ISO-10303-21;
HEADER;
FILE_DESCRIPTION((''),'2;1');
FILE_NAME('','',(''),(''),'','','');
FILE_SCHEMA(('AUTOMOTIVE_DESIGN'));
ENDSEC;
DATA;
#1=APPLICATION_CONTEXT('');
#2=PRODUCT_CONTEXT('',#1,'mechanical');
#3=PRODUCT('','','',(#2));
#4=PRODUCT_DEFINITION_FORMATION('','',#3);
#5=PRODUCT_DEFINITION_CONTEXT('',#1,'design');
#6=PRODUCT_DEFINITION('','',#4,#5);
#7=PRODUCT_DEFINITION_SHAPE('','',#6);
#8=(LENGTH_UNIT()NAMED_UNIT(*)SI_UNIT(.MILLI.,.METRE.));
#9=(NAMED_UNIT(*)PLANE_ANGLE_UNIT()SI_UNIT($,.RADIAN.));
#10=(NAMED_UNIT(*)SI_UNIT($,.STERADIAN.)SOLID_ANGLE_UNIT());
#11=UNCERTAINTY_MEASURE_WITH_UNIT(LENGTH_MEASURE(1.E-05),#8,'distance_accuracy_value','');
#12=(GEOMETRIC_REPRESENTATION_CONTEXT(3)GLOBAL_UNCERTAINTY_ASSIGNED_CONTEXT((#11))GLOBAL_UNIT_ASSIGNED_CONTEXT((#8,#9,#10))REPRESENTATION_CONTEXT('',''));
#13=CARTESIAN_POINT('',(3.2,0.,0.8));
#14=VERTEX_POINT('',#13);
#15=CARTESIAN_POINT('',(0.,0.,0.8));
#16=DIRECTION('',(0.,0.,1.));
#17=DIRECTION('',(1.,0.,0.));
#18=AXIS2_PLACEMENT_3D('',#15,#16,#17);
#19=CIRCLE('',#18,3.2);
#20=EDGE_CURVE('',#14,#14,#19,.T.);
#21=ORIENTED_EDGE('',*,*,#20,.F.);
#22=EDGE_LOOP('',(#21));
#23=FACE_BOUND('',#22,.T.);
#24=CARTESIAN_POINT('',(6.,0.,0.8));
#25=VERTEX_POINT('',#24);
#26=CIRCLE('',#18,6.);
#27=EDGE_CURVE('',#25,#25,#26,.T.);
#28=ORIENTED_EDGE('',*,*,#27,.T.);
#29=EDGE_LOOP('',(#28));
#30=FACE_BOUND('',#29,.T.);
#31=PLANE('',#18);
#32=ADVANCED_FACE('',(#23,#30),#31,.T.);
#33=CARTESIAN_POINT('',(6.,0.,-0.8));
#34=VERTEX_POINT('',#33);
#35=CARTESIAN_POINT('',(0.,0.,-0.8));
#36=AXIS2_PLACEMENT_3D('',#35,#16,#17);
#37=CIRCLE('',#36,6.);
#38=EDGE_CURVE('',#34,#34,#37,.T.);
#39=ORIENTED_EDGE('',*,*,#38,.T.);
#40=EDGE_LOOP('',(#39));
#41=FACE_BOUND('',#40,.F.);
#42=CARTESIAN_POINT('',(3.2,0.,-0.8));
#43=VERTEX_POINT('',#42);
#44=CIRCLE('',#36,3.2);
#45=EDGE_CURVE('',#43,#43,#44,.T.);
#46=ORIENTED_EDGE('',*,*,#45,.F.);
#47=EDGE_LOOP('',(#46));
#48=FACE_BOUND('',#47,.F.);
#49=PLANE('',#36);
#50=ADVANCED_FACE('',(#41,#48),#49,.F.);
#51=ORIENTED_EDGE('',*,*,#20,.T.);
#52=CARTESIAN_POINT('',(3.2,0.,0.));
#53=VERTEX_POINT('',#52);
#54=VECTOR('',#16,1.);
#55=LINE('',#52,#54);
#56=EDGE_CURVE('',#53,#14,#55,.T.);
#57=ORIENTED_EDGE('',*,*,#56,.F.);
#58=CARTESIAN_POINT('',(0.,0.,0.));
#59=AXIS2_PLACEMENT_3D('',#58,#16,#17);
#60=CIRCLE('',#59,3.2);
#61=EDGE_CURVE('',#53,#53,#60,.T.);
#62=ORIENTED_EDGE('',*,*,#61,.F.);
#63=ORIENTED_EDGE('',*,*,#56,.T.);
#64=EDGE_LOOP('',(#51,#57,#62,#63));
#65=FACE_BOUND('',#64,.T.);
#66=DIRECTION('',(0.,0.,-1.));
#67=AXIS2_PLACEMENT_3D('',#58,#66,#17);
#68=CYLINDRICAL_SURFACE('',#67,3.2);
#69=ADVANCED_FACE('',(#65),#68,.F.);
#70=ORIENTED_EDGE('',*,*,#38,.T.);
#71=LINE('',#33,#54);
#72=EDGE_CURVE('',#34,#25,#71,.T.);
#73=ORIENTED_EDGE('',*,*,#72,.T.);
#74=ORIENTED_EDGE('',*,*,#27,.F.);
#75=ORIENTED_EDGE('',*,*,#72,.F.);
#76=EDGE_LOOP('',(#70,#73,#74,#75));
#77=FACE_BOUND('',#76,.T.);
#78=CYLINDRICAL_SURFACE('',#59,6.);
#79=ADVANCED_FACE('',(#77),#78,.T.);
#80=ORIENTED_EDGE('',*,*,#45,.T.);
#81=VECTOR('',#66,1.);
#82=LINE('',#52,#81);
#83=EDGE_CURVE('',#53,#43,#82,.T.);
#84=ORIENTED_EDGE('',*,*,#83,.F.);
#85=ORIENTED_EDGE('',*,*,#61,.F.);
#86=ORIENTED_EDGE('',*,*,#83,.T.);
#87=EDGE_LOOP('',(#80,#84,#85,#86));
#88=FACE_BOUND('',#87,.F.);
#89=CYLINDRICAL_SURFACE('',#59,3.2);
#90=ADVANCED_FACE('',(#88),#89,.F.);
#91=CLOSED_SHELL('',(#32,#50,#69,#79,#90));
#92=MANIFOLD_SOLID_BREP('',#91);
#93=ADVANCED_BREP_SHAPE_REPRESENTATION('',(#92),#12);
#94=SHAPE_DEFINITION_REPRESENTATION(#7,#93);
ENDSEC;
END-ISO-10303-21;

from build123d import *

# Parameters (mm, degrees)
SKETCH3_R                = 6
SKETCH3_R_2              = 3.2
BOSS_EXTRUDE1_DEPTH      = 0.8
BOSS_EXTRUDE1_DEPTH_BACK = 0.8


with BuildPart() as part:
    # Sketch3 → Boss-Extrude1 (new body, two sides)
    with BuildSketch(Plane.XY) as boss_extrude1_sk:
        Circle(SKETCH3_R)
        Circle(SKETCH3_R_2, mode=Mode.SUBTRACT)
    extrude(amount=BOSS_EXTRUDE1_DEPTH)
    extrude(boss_extrude1_sk.sketch, amount=-BOSS_EXTRUDE1_DEPTH_BACK)


solid = part.part
